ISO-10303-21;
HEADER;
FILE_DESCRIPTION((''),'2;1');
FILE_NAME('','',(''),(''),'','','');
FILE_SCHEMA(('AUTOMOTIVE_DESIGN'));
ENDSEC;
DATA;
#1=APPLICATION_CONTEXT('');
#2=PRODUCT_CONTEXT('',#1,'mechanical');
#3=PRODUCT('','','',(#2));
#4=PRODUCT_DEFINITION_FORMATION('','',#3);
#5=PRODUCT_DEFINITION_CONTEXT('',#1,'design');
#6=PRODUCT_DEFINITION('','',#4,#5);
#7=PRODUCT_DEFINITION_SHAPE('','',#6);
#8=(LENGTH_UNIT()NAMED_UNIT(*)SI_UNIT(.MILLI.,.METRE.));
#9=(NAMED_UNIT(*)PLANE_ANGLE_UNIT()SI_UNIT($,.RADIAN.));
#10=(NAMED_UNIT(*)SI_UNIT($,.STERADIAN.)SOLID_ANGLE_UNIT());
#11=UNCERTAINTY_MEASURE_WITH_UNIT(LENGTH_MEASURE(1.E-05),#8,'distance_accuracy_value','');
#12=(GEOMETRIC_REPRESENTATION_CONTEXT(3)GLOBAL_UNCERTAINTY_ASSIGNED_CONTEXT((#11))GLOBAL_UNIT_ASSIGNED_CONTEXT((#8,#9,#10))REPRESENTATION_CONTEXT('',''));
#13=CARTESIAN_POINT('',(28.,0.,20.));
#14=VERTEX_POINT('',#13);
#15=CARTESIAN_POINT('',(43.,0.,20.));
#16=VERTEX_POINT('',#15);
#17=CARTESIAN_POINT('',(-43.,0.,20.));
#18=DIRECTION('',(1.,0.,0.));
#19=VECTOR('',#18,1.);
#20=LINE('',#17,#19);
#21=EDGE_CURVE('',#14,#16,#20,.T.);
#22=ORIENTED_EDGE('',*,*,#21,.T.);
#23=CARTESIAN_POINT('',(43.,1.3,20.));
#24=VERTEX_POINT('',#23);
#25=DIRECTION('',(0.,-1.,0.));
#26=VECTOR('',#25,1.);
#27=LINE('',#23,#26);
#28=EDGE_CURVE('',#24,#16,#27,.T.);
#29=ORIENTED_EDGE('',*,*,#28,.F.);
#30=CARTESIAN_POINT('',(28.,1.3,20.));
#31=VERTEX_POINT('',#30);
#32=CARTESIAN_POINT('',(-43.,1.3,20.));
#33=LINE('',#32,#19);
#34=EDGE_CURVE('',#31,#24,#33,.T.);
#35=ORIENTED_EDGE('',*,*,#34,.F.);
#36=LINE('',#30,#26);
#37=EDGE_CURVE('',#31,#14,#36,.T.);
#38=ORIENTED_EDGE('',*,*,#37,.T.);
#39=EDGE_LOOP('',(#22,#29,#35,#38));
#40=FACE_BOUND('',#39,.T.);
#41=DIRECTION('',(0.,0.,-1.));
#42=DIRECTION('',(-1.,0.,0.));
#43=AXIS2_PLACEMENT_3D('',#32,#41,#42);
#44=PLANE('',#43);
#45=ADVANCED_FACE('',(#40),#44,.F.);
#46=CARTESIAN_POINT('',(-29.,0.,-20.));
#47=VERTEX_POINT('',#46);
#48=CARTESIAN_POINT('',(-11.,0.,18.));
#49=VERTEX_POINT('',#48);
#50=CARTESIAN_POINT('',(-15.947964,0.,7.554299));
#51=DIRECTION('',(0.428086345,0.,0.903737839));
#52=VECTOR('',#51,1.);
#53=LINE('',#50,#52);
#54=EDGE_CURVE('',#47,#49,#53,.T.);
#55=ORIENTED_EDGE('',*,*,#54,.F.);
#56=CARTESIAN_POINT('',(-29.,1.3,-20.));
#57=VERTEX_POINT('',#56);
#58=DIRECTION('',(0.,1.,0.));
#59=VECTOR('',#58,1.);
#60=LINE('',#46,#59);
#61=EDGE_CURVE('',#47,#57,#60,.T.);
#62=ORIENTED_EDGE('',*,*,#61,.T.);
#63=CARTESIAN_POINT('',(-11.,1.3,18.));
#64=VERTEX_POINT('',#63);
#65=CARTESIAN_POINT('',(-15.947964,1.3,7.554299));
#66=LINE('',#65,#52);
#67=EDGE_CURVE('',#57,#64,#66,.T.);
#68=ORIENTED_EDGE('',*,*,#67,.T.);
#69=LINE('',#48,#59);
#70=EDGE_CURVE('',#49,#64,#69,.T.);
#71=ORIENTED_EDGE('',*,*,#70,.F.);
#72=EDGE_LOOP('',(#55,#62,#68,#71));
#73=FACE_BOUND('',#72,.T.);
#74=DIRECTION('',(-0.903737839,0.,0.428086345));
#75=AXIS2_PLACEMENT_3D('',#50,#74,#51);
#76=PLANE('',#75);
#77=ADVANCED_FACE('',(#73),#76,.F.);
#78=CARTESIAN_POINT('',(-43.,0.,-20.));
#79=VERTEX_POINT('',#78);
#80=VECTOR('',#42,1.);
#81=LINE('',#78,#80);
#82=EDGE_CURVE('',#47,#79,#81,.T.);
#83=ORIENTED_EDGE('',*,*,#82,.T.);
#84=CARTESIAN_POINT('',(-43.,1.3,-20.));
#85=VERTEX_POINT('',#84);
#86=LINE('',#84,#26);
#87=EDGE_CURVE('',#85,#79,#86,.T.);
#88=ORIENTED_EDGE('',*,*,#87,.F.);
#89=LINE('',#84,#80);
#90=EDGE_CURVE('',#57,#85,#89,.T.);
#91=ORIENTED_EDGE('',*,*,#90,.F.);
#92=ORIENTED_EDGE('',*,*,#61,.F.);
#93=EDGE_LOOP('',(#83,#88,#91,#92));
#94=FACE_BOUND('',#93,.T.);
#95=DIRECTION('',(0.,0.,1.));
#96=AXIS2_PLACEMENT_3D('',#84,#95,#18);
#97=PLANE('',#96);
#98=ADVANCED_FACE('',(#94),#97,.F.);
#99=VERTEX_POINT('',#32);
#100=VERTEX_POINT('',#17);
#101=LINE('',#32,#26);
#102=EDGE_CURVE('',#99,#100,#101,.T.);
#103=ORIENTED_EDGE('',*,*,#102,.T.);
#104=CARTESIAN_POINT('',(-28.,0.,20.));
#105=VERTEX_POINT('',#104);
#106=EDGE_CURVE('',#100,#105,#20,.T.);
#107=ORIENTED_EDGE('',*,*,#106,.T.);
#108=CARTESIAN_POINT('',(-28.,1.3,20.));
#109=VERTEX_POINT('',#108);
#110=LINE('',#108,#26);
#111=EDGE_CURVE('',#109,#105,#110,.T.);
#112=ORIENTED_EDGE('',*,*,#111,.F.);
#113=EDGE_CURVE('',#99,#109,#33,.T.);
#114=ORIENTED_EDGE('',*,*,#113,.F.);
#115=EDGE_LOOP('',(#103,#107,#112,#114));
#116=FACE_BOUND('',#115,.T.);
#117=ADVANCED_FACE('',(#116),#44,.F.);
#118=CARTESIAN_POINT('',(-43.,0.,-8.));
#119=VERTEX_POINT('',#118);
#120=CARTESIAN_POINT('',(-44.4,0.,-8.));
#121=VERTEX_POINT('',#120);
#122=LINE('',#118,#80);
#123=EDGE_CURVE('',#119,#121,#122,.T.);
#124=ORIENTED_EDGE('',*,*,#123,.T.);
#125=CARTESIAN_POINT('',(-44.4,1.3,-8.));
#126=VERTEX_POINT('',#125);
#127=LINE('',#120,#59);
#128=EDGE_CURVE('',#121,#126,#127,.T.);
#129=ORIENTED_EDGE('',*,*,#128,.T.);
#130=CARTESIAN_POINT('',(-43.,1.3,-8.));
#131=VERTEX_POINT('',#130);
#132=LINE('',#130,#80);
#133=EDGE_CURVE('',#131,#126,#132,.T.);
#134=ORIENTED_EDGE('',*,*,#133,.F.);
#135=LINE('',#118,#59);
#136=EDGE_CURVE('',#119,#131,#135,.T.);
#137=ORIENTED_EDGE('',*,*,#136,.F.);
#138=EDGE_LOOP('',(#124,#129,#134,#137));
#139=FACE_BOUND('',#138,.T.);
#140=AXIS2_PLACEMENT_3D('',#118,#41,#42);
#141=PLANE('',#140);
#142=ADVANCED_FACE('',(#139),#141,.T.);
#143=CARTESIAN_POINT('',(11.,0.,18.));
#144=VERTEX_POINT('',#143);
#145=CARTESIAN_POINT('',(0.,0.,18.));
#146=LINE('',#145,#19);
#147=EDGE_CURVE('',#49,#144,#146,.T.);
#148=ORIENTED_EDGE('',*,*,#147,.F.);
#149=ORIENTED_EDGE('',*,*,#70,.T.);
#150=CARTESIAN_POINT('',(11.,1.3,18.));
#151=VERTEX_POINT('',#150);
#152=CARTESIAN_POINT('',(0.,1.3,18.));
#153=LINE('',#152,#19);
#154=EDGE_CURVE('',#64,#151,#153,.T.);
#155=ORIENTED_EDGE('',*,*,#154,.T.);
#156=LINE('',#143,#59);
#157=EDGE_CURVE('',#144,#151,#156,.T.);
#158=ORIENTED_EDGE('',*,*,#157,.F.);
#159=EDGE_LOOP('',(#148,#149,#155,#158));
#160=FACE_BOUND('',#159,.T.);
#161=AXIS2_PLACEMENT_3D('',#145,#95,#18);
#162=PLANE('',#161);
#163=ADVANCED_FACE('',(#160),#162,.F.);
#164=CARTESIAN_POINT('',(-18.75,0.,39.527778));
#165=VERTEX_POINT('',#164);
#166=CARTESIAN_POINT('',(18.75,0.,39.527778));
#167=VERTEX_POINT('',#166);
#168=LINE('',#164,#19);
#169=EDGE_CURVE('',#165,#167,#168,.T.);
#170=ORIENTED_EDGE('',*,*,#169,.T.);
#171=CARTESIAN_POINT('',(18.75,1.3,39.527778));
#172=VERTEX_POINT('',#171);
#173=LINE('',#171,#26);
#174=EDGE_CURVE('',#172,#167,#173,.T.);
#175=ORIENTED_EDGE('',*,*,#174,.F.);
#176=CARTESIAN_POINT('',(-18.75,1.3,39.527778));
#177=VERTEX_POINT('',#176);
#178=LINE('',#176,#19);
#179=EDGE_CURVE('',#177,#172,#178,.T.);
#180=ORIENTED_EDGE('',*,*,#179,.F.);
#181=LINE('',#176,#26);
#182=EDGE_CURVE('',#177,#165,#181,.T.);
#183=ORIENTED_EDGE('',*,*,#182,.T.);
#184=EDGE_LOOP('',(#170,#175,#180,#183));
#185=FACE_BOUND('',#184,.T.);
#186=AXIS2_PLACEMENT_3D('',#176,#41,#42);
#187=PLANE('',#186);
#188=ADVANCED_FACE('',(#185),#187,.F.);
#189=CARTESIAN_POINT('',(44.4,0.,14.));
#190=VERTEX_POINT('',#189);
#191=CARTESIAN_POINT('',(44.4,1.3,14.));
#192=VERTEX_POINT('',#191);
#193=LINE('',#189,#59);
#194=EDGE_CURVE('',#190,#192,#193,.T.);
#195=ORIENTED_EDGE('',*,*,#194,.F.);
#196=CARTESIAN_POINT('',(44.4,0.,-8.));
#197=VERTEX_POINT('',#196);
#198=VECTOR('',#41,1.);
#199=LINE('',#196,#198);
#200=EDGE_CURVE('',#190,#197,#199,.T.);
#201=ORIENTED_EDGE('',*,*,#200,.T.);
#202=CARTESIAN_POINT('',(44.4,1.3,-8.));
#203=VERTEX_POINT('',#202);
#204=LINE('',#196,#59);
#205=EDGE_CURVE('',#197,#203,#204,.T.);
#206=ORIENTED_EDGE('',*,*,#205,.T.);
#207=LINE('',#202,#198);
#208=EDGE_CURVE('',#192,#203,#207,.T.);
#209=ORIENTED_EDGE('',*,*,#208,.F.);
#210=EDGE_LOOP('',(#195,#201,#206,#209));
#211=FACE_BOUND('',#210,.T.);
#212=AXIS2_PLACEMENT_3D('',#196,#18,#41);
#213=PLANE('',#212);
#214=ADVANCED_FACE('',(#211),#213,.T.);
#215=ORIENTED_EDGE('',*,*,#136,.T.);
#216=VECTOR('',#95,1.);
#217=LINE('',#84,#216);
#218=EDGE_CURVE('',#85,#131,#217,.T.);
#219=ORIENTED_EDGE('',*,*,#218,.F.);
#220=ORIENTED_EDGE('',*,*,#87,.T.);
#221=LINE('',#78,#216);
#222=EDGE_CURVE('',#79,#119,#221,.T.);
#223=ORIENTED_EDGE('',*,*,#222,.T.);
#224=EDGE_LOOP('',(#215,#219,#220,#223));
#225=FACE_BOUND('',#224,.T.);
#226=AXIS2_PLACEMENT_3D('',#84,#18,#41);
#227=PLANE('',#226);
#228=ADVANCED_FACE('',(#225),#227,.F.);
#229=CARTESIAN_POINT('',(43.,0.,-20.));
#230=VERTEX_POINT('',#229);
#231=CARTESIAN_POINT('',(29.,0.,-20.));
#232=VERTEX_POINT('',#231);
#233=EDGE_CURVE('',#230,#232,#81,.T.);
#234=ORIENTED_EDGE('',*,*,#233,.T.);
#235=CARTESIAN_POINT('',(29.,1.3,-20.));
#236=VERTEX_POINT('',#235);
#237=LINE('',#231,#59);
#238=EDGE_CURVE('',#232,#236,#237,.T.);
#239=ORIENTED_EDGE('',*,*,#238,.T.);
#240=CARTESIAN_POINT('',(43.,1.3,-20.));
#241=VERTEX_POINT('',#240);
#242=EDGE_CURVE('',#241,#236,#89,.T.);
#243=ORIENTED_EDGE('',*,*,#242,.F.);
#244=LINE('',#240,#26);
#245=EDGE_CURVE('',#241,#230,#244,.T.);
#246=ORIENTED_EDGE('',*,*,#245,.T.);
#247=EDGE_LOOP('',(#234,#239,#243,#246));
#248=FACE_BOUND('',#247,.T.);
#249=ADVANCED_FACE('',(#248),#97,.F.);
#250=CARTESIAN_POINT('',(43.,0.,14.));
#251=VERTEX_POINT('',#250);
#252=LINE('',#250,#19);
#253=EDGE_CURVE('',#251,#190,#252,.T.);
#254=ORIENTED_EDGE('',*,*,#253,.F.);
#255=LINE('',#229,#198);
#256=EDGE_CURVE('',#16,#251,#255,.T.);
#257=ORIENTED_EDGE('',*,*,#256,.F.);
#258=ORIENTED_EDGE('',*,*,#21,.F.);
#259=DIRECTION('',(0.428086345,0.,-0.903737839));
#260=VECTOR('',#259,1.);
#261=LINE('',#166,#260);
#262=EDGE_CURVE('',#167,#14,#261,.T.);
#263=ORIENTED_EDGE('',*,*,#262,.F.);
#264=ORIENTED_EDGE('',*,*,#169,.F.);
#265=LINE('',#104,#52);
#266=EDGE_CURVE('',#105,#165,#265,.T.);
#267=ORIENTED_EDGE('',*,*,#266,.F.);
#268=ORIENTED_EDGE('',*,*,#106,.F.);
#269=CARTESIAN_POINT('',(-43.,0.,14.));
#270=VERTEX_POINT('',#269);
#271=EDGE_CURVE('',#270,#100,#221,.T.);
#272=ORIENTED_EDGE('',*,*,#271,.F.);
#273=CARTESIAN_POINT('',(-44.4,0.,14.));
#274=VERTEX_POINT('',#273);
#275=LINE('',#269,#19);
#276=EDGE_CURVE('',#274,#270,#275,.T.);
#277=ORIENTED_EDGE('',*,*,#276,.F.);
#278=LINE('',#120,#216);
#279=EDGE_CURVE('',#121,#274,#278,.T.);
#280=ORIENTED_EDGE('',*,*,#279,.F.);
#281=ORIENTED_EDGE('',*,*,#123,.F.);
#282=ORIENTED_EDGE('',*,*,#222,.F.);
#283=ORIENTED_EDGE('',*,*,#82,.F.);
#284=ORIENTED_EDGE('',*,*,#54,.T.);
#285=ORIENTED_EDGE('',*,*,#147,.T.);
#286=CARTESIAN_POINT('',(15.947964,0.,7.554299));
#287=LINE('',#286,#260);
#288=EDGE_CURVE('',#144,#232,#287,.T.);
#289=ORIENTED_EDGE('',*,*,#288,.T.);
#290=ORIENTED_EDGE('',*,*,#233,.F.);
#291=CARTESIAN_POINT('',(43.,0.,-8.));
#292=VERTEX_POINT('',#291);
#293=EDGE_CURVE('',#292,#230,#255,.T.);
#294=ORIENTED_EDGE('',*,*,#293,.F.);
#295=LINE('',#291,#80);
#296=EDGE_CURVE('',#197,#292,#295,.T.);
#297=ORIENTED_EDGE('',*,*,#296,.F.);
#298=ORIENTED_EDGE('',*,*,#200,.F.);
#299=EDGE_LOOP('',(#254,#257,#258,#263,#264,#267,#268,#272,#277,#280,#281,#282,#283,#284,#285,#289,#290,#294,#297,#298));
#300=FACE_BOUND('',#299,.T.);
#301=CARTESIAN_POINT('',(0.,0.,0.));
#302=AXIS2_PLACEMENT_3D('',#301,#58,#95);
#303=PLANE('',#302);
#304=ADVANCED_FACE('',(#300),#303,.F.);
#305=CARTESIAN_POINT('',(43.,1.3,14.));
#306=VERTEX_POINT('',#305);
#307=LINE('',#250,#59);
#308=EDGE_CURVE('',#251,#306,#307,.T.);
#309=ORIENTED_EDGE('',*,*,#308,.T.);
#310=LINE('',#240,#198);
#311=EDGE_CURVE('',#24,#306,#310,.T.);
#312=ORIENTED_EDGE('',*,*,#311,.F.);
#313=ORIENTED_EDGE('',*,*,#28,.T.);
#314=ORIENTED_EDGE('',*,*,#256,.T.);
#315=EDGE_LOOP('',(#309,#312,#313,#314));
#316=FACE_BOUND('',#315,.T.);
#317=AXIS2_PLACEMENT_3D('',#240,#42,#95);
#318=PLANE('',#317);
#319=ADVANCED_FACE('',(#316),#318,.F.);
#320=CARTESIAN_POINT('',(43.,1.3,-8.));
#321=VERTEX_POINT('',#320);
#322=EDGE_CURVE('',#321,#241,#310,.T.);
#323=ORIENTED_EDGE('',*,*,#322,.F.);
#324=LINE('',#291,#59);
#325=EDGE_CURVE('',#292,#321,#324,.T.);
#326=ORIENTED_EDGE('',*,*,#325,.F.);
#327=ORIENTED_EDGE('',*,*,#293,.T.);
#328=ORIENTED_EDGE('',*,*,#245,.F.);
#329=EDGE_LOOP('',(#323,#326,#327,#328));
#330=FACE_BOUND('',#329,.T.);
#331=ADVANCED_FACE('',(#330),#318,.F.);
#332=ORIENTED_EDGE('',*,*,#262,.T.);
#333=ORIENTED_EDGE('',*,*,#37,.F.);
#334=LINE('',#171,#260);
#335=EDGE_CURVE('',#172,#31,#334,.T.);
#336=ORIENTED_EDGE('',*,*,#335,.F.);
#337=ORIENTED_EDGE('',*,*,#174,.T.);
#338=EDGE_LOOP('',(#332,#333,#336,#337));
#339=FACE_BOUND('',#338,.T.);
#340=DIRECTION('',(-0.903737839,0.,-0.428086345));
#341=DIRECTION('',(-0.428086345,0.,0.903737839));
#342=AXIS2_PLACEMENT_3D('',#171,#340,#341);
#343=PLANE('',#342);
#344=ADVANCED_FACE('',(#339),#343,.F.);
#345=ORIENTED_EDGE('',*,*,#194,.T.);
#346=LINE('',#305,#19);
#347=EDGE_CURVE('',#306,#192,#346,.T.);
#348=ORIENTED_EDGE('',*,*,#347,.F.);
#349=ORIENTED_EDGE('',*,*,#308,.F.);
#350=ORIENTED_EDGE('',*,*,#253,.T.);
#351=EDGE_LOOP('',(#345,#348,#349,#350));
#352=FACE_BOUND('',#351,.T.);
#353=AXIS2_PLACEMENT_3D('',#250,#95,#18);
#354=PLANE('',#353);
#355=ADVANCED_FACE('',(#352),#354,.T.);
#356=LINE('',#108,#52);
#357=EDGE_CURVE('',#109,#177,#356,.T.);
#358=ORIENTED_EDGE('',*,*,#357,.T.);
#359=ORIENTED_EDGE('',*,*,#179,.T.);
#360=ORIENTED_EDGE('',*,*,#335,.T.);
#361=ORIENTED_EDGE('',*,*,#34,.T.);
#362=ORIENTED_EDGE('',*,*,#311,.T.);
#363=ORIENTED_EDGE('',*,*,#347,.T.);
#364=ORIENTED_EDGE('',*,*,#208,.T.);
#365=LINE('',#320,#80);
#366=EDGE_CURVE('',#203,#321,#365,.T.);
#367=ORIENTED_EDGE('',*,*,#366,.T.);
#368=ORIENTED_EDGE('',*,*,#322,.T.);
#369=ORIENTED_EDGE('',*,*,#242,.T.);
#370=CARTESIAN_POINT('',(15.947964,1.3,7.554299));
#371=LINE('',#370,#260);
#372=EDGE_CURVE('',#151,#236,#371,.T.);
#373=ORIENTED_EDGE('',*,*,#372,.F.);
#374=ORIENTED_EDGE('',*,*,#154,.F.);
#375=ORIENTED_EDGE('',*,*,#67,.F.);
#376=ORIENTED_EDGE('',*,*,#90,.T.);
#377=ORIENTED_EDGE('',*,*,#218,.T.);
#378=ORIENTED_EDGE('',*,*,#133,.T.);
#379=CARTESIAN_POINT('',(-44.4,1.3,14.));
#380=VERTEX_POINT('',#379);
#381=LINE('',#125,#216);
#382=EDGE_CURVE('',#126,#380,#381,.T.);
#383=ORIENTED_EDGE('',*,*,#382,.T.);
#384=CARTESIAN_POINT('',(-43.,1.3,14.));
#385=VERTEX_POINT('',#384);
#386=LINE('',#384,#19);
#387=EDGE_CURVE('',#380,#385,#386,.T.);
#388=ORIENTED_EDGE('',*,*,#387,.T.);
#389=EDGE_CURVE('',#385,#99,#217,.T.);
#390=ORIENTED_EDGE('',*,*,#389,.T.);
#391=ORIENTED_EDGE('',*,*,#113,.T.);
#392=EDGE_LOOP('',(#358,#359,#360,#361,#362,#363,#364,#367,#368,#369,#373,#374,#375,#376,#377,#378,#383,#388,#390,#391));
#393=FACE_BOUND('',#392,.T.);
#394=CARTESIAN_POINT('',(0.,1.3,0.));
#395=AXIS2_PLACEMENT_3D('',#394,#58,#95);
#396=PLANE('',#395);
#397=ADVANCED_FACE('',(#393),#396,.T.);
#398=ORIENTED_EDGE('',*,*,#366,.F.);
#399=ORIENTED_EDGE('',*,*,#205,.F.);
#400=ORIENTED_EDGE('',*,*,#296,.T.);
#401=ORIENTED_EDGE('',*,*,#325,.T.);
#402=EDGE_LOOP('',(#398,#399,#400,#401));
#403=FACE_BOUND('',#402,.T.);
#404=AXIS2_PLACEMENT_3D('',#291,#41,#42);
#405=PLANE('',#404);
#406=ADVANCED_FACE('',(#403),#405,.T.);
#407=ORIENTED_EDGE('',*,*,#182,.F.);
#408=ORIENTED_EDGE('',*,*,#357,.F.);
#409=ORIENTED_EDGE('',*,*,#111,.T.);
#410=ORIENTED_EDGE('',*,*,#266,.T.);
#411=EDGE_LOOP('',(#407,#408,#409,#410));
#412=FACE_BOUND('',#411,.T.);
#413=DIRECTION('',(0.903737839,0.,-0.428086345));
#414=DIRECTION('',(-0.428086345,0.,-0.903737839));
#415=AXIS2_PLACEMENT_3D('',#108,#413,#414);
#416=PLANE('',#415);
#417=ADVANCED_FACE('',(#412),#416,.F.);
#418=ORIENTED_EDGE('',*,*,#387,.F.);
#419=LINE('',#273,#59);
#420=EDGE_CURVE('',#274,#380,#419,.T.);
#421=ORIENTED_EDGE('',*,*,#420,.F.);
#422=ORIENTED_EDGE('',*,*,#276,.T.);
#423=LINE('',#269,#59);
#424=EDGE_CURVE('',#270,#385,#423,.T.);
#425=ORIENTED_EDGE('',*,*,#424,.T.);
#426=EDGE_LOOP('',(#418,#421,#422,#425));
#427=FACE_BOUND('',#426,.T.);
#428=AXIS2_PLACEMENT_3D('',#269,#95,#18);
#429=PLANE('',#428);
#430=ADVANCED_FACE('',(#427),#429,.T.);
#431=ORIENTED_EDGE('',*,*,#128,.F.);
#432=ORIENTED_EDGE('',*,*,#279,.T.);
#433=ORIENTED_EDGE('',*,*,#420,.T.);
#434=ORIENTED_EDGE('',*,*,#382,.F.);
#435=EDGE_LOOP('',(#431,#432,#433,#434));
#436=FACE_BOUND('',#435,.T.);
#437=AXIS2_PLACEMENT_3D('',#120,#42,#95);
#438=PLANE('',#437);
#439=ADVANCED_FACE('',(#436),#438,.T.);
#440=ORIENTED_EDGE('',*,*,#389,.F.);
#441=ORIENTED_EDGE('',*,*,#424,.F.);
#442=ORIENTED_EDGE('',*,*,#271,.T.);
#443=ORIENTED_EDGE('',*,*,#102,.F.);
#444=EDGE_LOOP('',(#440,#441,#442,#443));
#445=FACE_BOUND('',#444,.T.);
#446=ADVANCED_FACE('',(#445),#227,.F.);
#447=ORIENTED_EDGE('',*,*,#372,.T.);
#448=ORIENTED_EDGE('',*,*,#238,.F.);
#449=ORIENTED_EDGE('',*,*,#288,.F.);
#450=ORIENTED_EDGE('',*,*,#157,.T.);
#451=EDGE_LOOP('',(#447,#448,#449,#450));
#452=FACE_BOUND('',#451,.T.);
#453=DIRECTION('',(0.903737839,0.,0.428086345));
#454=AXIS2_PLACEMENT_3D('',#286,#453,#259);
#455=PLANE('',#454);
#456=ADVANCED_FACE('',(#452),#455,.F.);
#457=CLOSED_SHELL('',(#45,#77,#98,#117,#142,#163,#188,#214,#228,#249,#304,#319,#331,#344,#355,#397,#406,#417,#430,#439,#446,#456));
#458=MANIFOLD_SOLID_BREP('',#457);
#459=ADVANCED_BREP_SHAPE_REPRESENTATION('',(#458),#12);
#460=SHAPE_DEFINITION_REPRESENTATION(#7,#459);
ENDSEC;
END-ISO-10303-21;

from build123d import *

# Parameters (mm, degrees)
SKETCH1_W           = 86
SKETCH1_H           = 40
BOSS_EXTRUDE1_DEPTH = 1.3
SKETCH2_W           = 1.4
SKETCH2_H           = 22
BOSS_EXTRUDE2_DEPTH = 1.3
CUT_EXTRUDE1_DEPTH  = 49.713961038
BOSS_EXTRUDE3_DEPTH = 1.3


with BuildPart() as part:
    # Sketch1 → Boss-Extrude1 (new body)
    with BuildSketch(Plane(origin=(0, 0, 0), x_dir=(1, 0, 0), z_dir=(0, 1, 0))):
        Rectangle(SKETCH1_W, SKETCH1_H)
    extrude(amount=BOSS_EXTRUDE1_DEPTH)

    # Sketch2 → Boss-Extrude2 (add)
    with BuildSketch(Plane(origin=(0, 1.3, 0), x_dir=(1, 0, 0), z_dir=(0, 1, 0))):
        with Locations((-43.7, -3)):
            Rectangle(SKETCH2_W, SKETCH2_H)
        with Locations((43.7, -3)):
            Rectangle(SKETCH2_W, SKETCH2_H)
    extrude(amount=-BOSS_EXTRUDE2_DEPTH)

    # Sketch3 → Cut-Extrude1 (cut, through all)
    with BuildSketch(Plane(origin=(0, 1.3, 0), x_dir=(1, 0, 0), z_dir=(0, 1, 0))):
        Polygon((29, 20), (-29, 20), (-11, -18), (11, -18), align=None)
    extrude(amount=-CUT_EXTRUDE1_DEPTH, mode=Mode.SUBTRACT)

    # Sketch4 → Boss-Extrude3 (add)
    with BuildSketch(Plane(origin=(0, 0, 0), x_dir=(1, 0, 0), z_dir=(0, 1, 0))):
        Polygon((-28, -20), (-18.75, -39.527777778), (18.75, -39.527777778), (28, -20), align=None)
    extrude(amount=BOSS_EXTRUDE3_DEPTH)


solid = part.part
